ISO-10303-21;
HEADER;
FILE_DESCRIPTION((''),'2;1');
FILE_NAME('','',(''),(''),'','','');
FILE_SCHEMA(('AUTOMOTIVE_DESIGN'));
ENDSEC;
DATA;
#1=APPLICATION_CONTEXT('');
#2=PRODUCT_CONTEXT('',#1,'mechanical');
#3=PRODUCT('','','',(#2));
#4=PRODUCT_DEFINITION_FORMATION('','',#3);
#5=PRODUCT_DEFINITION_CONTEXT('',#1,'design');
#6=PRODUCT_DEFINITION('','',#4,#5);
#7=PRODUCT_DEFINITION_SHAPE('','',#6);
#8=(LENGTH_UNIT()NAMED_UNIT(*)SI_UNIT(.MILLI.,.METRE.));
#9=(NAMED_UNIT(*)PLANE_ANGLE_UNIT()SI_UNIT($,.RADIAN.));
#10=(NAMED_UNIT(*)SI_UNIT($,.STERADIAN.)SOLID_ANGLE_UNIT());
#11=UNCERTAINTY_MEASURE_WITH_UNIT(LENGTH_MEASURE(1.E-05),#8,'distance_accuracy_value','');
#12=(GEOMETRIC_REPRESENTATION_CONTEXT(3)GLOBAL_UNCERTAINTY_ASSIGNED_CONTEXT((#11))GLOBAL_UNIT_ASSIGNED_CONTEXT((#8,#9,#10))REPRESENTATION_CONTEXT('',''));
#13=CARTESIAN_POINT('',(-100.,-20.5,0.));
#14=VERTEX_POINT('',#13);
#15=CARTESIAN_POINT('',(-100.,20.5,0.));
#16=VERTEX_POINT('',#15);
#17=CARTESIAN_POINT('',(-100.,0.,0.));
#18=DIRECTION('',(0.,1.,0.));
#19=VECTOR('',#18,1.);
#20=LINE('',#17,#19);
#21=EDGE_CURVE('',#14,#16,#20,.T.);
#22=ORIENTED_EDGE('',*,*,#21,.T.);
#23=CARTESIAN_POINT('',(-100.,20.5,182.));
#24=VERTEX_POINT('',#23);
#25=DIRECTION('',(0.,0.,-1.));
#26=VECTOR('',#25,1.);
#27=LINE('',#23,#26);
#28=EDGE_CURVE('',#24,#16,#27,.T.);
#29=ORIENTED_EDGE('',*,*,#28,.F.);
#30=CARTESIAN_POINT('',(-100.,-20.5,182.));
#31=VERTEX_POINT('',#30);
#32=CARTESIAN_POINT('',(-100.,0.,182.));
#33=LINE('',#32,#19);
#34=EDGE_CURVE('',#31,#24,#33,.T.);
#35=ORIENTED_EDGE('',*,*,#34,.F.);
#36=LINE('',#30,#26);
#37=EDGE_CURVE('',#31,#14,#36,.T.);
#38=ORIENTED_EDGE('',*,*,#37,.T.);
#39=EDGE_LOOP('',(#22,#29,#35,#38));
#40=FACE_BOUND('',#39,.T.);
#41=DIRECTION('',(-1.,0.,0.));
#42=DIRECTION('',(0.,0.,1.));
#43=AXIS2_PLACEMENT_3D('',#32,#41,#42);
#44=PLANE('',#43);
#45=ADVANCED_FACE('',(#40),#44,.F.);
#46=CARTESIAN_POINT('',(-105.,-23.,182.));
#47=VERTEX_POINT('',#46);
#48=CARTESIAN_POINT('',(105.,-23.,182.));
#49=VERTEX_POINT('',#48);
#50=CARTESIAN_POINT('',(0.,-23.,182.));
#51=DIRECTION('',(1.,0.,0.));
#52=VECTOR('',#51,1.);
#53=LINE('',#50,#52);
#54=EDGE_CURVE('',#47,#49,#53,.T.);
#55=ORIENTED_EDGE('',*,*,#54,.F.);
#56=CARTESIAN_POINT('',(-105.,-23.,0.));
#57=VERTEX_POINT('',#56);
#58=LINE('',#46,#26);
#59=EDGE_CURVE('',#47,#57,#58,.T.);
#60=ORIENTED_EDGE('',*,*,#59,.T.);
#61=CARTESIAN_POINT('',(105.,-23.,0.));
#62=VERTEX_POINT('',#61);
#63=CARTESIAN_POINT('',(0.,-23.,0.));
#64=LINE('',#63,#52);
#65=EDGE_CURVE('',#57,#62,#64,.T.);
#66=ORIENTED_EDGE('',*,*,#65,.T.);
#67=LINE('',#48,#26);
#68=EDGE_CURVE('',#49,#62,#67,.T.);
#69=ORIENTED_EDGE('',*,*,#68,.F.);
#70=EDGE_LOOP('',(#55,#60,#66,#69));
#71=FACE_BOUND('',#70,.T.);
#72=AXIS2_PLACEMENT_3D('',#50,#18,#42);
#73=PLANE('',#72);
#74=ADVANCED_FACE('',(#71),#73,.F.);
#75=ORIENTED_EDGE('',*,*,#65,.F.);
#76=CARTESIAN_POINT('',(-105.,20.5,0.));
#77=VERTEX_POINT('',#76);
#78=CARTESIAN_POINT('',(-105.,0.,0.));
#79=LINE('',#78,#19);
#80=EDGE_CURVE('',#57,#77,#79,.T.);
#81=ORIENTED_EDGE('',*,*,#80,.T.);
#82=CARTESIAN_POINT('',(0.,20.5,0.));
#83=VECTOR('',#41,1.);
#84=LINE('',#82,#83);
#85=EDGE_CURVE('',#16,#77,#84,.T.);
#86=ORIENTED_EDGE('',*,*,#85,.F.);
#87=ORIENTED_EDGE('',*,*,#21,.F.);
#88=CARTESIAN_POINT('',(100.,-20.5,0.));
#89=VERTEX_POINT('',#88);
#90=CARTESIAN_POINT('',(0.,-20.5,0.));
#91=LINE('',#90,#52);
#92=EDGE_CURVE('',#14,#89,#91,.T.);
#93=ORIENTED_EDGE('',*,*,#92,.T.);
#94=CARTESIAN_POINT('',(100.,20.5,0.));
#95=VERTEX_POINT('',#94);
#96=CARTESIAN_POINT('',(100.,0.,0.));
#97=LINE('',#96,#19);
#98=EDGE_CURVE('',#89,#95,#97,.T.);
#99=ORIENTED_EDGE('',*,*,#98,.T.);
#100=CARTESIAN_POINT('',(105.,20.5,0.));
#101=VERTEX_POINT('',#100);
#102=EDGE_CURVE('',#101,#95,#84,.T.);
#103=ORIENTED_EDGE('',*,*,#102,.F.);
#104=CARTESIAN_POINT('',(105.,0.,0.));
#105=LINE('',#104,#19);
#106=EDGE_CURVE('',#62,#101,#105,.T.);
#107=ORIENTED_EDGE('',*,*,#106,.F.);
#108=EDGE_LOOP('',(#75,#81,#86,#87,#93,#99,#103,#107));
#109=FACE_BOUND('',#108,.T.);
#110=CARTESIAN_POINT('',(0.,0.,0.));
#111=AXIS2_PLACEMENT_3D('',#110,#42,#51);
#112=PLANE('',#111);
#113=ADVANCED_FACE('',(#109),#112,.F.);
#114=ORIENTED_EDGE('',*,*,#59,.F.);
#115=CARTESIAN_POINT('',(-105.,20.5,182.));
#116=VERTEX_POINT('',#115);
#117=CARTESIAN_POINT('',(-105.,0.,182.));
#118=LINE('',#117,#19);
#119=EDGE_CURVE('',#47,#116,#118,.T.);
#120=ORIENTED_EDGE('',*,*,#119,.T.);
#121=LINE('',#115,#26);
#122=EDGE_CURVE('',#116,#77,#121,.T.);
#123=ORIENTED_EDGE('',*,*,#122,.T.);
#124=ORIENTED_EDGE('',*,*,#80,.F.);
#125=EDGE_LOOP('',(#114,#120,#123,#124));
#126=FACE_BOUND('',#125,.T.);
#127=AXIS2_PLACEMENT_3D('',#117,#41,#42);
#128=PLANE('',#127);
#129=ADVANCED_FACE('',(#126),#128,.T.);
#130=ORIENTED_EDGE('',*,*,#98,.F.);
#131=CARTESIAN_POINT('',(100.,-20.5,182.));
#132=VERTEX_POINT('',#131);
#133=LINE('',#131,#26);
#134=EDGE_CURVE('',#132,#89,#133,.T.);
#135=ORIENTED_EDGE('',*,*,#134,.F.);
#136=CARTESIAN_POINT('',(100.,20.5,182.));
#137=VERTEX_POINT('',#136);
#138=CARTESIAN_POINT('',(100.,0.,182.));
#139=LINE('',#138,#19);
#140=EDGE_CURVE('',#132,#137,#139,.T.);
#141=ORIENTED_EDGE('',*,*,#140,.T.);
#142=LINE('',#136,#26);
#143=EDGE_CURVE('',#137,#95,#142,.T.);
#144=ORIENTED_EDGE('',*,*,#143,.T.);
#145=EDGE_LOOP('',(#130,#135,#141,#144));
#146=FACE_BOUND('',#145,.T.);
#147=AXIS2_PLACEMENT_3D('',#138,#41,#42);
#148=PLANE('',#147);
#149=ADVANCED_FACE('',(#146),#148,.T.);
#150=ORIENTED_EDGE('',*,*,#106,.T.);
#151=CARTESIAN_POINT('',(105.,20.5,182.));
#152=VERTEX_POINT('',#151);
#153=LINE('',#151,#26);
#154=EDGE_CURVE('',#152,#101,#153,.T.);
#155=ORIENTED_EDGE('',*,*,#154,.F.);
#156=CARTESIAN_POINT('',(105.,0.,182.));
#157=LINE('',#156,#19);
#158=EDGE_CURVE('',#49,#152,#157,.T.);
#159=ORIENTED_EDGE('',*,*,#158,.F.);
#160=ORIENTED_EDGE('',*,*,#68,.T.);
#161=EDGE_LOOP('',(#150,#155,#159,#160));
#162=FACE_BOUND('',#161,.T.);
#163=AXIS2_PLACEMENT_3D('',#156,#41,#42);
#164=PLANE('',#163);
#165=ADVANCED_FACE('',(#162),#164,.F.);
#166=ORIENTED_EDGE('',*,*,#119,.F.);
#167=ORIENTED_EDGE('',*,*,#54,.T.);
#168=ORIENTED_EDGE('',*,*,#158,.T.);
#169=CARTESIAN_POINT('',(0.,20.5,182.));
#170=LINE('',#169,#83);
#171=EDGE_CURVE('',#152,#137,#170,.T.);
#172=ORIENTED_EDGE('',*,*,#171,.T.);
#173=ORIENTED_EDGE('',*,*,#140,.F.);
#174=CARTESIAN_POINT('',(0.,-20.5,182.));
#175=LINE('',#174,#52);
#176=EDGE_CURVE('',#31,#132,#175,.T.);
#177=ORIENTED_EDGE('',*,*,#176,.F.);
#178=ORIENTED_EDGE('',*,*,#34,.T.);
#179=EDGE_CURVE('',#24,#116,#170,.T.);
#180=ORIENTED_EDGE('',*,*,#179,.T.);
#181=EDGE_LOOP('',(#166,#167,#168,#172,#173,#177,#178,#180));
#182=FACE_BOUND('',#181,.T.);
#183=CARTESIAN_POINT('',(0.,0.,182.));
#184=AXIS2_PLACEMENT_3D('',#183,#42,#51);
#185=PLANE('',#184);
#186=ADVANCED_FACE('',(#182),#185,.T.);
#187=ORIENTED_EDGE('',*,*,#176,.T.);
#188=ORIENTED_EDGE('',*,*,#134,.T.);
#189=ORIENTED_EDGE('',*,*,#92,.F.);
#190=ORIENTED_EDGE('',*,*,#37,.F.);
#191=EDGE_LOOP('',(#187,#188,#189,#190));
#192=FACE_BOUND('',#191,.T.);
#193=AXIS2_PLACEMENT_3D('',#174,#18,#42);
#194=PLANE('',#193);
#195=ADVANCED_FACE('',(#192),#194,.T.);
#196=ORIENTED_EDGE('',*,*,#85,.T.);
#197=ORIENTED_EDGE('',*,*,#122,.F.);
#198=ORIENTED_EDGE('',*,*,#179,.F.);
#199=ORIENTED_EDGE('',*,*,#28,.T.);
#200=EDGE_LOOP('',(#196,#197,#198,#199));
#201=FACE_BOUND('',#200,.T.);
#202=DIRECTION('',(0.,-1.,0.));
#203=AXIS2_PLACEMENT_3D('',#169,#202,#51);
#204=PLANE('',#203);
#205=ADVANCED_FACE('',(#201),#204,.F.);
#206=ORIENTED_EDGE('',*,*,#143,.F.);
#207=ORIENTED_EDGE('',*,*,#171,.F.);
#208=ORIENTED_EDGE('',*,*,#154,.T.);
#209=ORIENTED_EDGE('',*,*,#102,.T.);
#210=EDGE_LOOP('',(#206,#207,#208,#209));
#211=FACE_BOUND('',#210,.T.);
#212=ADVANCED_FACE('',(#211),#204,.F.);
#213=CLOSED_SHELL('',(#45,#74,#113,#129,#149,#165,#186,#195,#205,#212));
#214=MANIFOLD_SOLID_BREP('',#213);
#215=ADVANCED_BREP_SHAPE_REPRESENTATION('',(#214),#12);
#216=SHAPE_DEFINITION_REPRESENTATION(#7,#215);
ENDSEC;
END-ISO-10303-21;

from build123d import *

# Parameters (mm, degrees)
EXTRUDE_1_DEPTH = 182


with BuildPart() as part:
    # 草图1 → 凸台-拉伸1 (new body)
    with BuildSketch(Plane.XY):
        Polygon((-100, -20.5), (-100, 20.5), (-105, 20.5), (-105, -23), (105, -23), (105, 20.5), (100, 20.5), (100, -20.5), align=None)
    extrude(amount=EXTRUDE_1_DEPTH)


solid = part.part
